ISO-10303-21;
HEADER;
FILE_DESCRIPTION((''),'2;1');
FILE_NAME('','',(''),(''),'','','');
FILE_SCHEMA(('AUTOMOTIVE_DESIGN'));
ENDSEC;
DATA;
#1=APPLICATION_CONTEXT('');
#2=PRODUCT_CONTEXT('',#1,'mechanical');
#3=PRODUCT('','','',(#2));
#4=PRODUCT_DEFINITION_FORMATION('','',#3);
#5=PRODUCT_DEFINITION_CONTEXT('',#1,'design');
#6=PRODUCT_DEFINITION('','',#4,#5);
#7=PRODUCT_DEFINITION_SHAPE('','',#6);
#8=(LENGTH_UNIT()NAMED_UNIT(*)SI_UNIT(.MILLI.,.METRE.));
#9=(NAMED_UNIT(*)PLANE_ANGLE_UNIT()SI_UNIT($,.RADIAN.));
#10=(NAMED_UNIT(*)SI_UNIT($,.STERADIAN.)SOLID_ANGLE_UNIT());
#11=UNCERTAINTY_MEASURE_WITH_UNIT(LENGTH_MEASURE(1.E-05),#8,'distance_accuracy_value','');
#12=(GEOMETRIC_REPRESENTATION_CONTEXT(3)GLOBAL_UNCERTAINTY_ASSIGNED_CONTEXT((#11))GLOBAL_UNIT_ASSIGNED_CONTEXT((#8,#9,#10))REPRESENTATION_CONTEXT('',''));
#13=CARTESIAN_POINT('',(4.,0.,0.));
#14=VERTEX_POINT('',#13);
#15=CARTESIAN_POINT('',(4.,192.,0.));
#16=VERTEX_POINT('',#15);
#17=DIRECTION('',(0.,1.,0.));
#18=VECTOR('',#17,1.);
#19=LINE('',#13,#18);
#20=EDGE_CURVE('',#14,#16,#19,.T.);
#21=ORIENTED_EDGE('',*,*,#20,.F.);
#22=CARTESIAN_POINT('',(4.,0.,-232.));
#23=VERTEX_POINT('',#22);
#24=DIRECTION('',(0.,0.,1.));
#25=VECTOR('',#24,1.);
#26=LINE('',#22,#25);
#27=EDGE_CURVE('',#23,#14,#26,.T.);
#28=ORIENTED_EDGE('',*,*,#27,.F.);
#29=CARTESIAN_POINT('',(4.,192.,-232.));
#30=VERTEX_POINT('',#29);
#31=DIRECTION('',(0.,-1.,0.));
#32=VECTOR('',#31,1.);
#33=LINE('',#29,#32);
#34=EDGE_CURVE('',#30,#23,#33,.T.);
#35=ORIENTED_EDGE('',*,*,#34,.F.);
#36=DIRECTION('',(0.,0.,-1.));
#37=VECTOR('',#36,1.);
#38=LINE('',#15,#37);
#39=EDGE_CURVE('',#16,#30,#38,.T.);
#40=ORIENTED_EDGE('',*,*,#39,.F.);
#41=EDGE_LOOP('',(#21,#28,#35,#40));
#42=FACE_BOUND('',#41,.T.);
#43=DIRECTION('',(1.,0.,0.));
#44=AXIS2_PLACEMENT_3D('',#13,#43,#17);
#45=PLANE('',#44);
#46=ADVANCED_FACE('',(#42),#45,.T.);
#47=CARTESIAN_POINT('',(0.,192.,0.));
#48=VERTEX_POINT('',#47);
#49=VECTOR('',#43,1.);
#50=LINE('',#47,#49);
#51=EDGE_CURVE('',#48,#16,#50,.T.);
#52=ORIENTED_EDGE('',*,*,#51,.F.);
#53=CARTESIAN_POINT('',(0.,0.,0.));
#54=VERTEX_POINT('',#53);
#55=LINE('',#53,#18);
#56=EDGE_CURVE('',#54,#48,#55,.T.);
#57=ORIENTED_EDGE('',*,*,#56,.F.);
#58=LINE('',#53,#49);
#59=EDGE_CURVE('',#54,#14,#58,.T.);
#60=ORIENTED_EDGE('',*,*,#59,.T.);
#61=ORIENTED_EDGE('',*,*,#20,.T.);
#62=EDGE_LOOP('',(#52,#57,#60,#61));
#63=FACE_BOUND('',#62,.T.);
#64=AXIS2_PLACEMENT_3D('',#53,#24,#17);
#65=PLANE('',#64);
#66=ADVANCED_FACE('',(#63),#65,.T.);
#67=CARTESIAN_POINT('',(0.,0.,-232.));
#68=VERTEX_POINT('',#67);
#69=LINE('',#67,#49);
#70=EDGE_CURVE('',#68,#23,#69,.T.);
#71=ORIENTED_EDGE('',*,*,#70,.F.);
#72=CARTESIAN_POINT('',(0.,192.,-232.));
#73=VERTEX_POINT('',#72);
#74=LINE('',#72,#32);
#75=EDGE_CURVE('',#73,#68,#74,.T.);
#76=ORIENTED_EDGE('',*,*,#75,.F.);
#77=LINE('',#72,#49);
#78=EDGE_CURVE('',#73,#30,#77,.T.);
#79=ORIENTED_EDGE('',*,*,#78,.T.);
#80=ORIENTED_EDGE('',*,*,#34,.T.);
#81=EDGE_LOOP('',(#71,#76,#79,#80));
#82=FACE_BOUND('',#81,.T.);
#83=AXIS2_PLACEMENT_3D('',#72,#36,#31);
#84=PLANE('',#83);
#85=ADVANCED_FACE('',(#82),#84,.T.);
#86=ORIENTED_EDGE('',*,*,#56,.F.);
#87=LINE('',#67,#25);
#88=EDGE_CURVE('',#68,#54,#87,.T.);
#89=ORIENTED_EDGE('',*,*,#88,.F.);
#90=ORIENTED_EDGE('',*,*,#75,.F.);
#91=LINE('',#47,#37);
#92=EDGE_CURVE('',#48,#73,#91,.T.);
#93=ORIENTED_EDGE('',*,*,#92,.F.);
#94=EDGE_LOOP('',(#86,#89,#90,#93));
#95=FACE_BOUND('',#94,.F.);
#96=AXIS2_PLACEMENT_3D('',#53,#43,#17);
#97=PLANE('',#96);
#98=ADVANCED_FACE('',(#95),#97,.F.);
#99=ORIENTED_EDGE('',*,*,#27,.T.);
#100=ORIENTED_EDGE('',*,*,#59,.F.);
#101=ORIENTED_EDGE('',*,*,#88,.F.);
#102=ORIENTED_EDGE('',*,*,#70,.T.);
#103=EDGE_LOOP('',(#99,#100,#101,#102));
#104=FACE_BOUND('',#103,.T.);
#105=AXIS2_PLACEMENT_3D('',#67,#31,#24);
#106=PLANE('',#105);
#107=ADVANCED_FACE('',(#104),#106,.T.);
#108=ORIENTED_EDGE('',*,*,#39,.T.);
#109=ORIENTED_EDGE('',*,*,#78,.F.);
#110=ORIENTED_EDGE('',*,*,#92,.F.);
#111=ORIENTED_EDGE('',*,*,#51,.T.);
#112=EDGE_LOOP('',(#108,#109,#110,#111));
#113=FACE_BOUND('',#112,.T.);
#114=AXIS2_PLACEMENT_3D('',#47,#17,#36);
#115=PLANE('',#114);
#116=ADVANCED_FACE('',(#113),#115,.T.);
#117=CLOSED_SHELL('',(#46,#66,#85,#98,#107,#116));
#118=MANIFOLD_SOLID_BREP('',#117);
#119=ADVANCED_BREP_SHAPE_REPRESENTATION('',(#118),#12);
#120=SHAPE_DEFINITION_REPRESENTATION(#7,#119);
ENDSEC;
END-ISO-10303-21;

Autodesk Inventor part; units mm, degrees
ref_plane "YZ Plane" through (0, 0, 0) normal (1, 0, 0) x (0, 1, 0)
ref_plane "XZ Plane" through (0, 0, 0) normal (0, 1, 0) x (-1, 0, 0)
ref_plane "XY Plane" through (0, 0, 0) normal (0, 0, 1) x (1, 0, 0)
sketch "Skizze1" plane through (0, 0, 0) normal (1, 0, 0) x (0, 1, 0)
  line L0 (0, 0) -> (192, 0)
  line L1 (192, 0) -> (192, -232)
  line L2 (192, -232) -> (0, -232)
  line L3 (0, -232) -> (0, 0)
  dimension "d0" = 232
  dimension "d1" = 192
extrude "Extrusion1" add sketch "Skizze1" along normal blind 4
properties part number "TorraumHinten"
